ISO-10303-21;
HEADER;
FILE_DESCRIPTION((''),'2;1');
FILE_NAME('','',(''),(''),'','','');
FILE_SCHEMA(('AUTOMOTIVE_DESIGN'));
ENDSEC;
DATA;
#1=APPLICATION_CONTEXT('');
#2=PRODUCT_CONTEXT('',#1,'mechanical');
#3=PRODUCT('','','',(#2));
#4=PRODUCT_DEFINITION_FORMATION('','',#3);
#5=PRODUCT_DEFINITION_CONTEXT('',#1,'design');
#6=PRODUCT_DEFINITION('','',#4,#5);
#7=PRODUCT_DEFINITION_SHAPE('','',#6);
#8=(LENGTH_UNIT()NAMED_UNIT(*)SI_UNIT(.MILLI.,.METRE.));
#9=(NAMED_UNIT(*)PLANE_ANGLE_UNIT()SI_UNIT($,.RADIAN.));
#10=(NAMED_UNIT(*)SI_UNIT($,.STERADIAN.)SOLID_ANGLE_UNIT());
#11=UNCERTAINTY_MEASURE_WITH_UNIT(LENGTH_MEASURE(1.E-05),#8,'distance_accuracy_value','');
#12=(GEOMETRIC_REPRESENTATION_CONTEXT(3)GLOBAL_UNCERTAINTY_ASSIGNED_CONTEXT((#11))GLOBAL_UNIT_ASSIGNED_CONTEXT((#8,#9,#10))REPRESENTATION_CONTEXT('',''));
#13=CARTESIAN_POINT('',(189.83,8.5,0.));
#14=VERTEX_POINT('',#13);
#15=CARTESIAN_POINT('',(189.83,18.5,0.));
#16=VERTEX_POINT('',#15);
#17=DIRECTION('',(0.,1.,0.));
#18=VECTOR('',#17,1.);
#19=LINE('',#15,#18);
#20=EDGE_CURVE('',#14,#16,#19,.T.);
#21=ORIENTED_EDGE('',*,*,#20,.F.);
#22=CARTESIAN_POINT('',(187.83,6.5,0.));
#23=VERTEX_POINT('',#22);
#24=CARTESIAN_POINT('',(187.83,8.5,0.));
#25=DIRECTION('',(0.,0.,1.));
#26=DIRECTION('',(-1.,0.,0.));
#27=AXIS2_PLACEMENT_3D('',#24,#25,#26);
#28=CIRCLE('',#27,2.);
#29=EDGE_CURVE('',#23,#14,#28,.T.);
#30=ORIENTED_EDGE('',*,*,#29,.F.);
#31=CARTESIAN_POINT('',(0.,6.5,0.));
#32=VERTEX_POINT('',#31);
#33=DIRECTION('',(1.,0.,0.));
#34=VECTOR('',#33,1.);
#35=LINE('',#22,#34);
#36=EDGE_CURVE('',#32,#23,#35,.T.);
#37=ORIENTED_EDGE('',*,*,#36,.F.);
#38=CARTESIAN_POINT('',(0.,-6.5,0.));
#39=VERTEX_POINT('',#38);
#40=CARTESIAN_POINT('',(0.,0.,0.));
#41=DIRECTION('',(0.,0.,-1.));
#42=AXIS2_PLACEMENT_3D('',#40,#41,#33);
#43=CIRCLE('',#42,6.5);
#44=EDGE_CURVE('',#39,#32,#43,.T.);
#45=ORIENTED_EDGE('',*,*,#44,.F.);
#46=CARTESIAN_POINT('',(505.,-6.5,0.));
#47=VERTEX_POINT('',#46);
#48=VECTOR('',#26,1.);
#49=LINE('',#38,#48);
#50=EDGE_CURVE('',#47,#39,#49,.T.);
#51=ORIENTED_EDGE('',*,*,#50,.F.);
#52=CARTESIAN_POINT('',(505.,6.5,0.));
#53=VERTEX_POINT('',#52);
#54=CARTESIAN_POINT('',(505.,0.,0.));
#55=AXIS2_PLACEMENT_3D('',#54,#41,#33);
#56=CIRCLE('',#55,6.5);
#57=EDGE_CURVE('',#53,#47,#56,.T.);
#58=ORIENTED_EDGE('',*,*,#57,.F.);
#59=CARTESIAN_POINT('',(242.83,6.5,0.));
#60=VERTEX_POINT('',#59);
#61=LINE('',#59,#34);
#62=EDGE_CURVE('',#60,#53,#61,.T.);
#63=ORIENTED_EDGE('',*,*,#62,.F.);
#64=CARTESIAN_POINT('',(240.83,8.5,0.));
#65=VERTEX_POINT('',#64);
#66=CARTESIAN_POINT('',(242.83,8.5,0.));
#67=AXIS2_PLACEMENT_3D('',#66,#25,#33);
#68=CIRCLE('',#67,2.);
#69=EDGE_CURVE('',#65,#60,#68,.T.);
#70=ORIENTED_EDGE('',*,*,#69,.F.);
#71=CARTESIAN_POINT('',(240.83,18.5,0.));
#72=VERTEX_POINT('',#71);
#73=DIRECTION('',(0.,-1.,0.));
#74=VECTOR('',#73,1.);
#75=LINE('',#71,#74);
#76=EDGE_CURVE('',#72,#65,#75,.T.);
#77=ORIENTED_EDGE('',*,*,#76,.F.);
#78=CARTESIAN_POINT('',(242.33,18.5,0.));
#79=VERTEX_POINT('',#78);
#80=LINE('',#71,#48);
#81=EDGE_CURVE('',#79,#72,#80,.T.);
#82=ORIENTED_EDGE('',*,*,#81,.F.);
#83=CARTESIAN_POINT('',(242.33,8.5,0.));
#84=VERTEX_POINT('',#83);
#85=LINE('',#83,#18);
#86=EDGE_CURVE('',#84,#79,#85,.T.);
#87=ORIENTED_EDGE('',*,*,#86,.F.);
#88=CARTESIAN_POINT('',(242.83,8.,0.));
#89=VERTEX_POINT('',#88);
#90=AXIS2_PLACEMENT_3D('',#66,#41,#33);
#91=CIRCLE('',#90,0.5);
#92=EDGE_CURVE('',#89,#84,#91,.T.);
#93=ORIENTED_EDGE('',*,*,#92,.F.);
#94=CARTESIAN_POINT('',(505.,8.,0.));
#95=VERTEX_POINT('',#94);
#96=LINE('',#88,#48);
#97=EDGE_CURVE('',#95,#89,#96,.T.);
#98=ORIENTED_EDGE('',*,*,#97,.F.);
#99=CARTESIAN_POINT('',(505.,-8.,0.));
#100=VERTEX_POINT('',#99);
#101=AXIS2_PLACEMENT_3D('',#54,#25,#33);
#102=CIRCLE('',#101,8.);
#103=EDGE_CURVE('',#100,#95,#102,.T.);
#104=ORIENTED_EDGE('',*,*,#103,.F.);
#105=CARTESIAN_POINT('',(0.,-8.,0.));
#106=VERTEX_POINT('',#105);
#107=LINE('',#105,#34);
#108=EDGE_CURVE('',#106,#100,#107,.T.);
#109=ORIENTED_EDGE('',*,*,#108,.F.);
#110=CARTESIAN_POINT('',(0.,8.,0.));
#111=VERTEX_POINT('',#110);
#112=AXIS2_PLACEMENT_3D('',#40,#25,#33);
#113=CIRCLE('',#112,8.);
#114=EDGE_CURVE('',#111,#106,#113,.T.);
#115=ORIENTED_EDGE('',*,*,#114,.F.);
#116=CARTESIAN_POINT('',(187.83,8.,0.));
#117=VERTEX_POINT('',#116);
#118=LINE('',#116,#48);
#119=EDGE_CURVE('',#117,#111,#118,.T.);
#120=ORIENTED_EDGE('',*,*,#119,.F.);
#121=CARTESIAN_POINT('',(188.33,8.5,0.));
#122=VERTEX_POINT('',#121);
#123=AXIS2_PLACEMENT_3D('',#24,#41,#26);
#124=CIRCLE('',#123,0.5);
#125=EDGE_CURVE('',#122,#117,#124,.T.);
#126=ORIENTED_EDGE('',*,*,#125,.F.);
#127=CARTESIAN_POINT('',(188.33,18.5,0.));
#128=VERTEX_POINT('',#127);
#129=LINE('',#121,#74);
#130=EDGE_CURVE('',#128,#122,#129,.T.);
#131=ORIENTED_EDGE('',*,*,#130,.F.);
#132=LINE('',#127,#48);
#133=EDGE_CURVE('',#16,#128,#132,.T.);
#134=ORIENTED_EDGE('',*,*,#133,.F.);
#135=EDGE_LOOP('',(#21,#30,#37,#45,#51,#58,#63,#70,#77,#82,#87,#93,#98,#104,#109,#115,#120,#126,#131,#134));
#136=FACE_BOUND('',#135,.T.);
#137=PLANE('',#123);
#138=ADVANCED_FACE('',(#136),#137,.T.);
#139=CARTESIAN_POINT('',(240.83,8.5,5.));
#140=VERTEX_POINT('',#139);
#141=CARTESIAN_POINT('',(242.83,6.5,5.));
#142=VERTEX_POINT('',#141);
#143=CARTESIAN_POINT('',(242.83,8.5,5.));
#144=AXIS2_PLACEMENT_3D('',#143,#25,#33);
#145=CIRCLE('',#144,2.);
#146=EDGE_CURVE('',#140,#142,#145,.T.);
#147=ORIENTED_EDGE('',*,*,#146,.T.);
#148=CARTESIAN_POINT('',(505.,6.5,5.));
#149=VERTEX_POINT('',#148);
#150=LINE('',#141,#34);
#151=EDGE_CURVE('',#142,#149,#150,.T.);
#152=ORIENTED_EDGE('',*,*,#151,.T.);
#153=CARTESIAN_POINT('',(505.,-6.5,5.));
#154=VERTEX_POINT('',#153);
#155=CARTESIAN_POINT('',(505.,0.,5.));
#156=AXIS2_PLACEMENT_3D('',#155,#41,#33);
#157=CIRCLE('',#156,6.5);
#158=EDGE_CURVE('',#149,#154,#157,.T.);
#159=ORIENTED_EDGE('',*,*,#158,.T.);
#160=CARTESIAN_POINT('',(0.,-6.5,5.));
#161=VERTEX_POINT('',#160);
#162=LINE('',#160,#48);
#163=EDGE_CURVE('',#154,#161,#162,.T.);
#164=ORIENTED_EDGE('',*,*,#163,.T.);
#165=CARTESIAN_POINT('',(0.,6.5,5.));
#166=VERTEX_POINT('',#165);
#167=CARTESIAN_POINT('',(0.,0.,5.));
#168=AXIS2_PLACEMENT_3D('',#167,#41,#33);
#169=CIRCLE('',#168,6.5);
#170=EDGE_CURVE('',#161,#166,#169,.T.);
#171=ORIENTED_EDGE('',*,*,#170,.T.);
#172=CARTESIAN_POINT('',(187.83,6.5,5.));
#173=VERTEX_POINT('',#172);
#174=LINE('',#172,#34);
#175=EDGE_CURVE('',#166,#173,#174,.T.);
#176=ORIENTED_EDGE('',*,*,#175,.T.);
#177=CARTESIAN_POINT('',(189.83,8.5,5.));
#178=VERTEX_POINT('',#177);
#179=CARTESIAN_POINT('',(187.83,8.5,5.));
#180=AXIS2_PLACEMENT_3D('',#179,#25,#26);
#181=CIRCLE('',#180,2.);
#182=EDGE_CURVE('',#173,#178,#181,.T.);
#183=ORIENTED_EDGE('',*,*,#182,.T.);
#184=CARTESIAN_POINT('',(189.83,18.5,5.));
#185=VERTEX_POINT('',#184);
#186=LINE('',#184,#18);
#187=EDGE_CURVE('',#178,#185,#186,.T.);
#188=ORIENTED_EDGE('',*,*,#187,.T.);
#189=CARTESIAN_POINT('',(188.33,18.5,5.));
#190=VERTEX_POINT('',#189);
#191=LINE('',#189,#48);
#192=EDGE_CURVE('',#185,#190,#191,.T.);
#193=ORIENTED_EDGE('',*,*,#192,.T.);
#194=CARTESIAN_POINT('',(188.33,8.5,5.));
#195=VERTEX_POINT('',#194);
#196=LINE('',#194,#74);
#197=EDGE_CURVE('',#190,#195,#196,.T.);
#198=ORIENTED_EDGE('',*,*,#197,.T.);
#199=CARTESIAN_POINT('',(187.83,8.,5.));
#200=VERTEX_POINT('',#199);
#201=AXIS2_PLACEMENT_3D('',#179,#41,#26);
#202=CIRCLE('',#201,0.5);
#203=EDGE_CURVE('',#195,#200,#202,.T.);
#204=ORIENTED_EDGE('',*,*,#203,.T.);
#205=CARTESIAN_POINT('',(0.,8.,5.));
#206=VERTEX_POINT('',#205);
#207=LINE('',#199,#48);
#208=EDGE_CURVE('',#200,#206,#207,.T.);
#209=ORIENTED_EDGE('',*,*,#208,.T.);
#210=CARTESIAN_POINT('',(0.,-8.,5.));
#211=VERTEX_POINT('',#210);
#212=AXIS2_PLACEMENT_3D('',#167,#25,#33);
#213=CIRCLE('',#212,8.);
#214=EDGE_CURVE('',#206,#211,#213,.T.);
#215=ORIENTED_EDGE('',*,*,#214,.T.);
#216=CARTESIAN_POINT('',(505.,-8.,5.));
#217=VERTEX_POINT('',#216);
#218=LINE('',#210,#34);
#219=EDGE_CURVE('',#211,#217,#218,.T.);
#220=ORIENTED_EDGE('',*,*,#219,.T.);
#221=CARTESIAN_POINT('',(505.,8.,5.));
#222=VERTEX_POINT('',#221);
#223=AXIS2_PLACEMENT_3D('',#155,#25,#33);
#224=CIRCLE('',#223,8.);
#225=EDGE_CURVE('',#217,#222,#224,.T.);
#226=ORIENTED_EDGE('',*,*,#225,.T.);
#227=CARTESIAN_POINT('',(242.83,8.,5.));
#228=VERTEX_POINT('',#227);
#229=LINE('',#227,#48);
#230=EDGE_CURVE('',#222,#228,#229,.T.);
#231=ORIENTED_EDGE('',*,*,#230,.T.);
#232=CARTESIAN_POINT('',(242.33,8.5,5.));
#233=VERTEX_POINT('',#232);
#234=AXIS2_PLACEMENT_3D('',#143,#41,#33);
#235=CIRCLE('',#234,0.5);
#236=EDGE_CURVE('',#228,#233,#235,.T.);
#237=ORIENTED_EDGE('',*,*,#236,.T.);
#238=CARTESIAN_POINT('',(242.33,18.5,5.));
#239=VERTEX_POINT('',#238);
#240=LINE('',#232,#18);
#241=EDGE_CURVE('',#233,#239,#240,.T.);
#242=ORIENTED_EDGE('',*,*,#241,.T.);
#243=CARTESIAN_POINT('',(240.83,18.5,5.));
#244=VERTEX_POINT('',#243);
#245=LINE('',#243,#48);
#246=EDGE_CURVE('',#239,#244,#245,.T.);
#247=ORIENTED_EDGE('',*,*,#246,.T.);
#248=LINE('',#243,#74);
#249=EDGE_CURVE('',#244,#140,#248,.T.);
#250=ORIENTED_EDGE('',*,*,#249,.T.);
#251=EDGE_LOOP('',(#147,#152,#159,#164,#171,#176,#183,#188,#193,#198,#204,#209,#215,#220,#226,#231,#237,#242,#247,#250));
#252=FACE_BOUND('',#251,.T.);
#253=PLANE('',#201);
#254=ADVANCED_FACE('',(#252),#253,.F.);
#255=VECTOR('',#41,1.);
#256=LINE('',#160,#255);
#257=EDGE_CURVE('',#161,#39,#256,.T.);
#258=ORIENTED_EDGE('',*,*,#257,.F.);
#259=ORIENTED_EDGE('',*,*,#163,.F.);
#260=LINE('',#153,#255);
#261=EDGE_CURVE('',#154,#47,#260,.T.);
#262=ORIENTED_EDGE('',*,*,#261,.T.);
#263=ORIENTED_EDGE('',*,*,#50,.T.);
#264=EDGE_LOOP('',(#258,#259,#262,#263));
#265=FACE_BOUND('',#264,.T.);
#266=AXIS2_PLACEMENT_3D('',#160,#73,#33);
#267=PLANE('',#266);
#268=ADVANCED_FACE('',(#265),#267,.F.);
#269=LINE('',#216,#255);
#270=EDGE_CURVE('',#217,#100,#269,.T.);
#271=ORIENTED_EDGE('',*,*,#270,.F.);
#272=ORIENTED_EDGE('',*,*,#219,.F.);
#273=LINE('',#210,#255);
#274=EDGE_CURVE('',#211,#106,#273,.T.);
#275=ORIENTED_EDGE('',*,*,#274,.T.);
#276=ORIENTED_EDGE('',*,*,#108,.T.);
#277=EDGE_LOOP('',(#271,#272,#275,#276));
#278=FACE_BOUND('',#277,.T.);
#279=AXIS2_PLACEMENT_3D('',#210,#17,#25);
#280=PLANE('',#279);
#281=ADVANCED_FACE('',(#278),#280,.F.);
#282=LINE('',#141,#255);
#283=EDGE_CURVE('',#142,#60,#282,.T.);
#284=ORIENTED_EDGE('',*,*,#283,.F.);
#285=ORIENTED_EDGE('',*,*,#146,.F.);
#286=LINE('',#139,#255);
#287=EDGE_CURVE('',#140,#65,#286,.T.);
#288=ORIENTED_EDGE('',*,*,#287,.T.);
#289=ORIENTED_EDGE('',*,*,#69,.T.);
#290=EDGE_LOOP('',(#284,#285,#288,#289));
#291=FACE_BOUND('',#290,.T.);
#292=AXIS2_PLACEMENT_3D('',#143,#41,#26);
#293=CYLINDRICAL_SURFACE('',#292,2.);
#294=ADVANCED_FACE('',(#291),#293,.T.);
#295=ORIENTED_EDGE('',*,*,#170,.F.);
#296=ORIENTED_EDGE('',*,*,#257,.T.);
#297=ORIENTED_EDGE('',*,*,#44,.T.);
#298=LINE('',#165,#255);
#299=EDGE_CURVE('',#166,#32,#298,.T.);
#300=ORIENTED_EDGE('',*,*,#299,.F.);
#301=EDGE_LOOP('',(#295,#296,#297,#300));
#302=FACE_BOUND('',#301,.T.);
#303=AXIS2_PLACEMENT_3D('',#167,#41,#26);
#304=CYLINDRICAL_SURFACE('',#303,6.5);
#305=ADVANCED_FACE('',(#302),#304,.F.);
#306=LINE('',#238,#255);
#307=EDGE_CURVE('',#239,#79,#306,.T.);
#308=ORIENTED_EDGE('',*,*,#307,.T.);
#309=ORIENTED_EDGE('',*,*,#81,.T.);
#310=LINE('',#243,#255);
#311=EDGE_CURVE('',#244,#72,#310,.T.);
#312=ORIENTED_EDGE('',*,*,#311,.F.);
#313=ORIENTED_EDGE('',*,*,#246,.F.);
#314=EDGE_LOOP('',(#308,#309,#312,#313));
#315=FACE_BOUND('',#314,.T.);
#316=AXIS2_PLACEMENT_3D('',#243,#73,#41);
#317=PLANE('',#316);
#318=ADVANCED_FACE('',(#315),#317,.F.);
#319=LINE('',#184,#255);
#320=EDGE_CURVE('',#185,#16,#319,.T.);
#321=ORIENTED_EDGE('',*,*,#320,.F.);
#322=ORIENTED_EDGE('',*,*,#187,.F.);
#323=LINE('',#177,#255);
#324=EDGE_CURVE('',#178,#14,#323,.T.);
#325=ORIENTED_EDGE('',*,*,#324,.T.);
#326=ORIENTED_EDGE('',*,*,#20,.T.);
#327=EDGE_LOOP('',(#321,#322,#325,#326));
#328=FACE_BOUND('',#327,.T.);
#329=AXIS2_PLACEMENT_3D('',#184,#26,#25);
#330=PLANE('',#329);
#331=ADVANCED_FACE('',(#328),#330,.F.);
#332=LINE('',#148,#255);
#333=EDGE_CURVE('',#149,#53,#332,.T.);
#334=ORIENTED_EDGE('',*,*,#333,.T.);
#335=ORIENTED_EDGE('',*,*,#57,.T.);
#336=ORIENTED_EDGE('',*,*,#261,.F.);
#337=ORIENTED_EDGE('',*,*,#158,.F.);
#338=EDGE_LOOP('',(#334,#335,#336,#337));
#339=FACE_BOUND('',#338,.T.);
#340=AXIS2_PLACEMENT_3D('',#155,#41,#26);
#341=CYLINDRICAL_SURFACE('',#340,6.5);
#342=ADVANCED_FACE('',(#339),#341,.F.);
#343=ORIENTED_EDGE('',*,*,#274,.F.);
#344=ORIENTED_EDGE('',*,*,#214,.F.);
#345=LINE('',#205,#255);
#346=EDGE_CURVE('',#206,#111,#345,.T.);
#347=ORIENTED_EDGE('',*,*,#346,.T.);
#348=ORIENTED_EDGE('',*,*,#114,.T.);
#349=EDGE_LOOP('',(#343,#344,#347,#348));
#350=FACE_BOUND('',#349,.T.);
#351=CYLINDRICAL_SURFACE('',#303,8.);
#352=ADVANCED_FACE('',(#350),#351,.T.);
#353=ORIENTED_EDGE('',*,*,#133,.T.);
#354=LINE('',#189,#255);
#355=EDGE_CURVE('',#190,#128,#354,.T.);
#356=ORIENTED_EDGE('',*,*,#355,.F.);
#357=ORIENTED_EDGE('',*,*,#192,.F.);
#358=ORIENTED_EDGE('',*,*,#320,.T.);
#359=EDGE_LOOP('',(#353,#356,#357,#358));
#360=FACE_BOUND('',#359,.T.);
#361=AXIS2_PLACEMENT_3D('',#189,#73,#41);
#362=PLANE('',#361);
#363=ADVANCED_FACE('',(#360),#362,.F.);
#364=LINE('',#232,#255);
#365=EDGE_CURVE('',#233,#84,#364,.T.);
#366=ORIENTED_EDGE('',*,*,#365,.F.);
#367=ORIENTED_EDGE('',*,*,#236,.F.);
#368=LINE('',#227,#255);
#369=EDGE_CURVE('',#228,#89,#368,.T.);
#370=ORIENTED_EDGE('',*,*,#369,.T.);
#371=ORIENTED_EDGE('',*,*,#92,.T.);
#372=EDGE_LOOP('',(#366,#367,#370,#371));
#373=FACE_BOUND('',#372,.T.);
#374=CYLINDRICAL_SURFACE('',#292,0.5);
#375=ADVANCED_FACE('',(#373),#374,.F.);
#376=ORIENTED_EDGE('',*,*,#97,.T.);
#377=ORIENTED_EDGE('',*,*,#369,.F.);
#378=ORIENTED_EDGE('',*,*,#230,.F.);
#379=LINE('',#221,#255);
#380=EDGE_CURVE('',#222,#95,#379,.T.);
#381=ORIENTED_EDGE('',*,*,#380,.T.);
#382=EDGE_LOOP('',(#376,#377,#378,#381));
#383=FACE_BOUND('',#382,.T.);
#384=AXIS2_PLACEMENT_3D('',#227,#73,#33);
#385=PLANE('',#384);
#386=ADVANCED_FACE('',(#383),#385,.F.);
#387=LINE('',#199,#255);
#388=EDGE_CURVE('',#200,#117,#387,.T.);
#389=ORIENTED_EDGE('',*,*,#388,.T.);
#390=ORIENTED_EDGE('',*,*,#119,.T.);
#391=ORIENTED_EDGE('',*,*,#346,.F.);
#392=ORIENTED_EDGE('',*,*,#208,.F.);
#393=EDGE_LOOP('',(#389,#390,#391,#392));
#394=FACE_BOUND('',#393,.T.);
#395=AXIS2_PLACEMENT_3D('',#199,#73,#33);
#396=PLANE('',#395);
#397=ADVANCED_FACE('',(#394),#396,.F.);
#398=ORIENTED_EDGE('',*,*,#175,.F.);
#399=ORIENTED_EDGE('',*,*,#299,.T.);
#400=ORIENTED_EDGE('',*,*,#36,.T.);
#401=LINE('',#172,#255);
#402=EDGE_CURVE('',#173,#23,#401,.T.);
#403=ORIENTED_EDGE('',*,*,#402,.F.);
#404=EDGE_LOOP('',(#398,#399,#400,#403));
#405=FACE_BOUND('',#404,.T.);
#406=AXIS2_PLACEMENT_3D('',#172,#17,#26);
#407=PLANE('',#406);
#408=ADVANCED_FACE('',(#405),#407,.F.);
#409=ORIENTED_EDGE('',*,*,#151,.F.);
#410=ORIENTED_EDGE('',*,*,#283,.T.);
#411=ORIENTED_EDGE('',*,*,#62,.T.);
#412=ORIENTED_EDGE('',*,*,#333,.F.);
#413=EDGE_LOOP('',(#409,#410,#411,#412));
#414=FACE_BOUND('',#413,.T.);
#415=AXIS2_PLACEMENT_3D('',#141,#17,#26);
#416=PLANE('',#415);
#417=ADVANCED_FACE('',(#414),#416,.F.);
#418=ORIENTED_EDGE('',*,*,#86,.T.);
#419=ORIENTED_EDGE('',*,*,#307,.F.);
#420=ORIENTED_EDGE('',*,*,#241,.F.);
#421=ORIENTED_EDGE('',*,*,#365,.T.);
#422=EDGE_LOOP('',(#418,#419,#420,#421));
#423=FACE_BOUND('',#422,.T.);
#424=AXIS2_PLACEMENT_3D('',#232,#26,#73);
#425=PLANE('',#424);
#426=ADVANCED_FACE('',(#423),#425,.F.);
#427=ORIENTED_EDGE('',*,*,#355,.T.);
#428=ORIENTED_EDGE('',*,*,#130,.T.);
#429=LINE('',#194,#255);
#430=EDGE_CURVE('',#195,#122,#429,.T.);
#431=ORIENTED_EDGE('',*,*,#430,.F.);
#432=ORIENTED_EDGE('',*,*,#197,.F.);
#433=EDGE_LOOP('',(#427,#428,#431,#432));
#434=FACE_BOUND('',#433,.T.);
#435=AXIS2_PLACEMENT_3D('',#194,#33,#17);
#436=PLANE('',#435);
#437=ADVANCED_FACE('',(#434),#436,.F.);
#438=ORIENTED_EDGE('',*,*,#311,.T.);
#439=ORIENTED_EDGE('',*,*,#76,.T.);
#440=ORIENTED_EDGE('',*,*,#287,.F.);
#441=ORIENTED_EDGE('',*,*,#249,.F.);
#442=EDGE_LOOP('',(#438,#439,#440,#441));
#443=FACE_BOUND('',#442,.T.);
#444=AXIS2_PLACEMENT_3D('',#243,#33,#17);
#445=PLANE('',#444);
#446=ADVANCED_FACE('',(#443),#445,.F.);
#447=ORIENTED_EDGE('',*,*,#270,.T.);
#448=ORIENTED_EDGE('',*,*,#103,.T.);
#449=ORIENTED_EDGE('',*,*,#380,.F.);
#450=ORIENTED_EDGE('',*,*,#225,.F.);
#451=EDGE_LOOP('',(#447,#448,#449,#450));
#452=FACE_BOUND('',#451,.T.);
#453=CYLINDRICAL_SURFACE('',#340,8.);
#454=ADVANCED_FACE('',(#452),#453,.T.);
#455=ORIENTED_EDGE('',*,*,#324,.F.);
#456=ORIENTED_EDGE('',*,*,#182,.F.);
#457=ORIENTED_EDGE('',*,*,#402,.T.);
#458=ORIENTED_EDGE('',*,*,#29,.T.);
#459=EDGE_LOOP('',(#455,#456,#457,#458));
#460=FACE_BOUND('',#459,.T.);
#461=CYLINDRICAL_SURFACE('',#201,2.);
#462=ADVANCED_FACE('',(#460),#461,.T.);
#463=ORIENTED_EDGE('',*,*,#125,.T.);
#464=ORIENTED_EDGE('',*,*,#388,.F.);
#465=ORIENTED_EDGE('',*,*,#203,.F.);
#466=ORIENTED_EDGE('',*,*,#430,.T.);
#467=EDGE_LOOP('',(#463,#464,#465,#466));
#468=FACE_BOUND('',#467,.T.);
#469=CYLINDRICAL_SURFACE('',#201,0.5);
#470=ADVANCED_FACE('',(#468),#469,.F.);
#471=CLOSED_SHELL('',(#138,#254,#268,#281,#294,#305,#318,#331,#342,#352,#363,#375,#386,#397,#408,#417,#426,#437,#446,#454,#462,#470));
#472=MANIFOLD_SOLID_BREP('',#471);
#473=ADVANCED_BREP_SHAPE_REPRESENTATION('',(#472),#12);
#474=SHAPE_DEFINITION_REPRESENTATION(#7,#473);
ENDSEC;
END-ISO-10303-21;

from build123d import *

# Parameters (mm, degrees)
BOSS_EXTRUDE1_DEPTH = 5


with BuildPart() as part:
    # Sketch1 → Boss-Extrude1 (new body)
    with BuildSketch(Plane.XY):
        with BuildLine():
            Line((188.33, 8.5), (188.33, 18.5))
            Line((188.33, 18.5), (189.83, 18.5))
            Line((189.83, 18.5), (189.83, 8.5))
            ThreePointArc((189.83, 8.5), (189.244213562, 7.085786438), (187.83, 6.5))
            Line((187.83, 6.5), (0, 6.5))
            ThreePointArc((0, 6.5), (-6.5, 0), (0, -6.5))
            Line((0, -6.5), (505, -6.5))
            ThreePointArc((505, -6.5), (511.5, 0), (505, 6.5))
            Line((505, 6.5), (242.83, 6.5))
            ThreePointArc((242.83, 6.5), (241.415786438, 7.085786438), (240.83, 8.5))
            Line((240.83, 8.5), (240.83, 18.5))
            Line((240.83, 18.5), (242.33, 18.5))
            Line((242.33, 18.5), (242.33, 8.5))
            ThreePointArc((242.33, 8.5), (242.476446609, 8.146446609), (242.83, 8))
            Line((242.83, 8), (505, 8))
            ThreePointArc((505, 8), (513, 0), (505, -8))
            Line((505, -8), (0, -8))
            ThreePointArc((0, -8), (-8, 0), (0, 8))
            Line((0, 8), (187.83, 8))
            ThreePointArc((187.83, 8), (188.183553391, 8.146446609), (188.33, 8.5))
        make_face()
    extrude(amount=BOSS_EXTRUDE1_DEPTH)


solid = part.part
